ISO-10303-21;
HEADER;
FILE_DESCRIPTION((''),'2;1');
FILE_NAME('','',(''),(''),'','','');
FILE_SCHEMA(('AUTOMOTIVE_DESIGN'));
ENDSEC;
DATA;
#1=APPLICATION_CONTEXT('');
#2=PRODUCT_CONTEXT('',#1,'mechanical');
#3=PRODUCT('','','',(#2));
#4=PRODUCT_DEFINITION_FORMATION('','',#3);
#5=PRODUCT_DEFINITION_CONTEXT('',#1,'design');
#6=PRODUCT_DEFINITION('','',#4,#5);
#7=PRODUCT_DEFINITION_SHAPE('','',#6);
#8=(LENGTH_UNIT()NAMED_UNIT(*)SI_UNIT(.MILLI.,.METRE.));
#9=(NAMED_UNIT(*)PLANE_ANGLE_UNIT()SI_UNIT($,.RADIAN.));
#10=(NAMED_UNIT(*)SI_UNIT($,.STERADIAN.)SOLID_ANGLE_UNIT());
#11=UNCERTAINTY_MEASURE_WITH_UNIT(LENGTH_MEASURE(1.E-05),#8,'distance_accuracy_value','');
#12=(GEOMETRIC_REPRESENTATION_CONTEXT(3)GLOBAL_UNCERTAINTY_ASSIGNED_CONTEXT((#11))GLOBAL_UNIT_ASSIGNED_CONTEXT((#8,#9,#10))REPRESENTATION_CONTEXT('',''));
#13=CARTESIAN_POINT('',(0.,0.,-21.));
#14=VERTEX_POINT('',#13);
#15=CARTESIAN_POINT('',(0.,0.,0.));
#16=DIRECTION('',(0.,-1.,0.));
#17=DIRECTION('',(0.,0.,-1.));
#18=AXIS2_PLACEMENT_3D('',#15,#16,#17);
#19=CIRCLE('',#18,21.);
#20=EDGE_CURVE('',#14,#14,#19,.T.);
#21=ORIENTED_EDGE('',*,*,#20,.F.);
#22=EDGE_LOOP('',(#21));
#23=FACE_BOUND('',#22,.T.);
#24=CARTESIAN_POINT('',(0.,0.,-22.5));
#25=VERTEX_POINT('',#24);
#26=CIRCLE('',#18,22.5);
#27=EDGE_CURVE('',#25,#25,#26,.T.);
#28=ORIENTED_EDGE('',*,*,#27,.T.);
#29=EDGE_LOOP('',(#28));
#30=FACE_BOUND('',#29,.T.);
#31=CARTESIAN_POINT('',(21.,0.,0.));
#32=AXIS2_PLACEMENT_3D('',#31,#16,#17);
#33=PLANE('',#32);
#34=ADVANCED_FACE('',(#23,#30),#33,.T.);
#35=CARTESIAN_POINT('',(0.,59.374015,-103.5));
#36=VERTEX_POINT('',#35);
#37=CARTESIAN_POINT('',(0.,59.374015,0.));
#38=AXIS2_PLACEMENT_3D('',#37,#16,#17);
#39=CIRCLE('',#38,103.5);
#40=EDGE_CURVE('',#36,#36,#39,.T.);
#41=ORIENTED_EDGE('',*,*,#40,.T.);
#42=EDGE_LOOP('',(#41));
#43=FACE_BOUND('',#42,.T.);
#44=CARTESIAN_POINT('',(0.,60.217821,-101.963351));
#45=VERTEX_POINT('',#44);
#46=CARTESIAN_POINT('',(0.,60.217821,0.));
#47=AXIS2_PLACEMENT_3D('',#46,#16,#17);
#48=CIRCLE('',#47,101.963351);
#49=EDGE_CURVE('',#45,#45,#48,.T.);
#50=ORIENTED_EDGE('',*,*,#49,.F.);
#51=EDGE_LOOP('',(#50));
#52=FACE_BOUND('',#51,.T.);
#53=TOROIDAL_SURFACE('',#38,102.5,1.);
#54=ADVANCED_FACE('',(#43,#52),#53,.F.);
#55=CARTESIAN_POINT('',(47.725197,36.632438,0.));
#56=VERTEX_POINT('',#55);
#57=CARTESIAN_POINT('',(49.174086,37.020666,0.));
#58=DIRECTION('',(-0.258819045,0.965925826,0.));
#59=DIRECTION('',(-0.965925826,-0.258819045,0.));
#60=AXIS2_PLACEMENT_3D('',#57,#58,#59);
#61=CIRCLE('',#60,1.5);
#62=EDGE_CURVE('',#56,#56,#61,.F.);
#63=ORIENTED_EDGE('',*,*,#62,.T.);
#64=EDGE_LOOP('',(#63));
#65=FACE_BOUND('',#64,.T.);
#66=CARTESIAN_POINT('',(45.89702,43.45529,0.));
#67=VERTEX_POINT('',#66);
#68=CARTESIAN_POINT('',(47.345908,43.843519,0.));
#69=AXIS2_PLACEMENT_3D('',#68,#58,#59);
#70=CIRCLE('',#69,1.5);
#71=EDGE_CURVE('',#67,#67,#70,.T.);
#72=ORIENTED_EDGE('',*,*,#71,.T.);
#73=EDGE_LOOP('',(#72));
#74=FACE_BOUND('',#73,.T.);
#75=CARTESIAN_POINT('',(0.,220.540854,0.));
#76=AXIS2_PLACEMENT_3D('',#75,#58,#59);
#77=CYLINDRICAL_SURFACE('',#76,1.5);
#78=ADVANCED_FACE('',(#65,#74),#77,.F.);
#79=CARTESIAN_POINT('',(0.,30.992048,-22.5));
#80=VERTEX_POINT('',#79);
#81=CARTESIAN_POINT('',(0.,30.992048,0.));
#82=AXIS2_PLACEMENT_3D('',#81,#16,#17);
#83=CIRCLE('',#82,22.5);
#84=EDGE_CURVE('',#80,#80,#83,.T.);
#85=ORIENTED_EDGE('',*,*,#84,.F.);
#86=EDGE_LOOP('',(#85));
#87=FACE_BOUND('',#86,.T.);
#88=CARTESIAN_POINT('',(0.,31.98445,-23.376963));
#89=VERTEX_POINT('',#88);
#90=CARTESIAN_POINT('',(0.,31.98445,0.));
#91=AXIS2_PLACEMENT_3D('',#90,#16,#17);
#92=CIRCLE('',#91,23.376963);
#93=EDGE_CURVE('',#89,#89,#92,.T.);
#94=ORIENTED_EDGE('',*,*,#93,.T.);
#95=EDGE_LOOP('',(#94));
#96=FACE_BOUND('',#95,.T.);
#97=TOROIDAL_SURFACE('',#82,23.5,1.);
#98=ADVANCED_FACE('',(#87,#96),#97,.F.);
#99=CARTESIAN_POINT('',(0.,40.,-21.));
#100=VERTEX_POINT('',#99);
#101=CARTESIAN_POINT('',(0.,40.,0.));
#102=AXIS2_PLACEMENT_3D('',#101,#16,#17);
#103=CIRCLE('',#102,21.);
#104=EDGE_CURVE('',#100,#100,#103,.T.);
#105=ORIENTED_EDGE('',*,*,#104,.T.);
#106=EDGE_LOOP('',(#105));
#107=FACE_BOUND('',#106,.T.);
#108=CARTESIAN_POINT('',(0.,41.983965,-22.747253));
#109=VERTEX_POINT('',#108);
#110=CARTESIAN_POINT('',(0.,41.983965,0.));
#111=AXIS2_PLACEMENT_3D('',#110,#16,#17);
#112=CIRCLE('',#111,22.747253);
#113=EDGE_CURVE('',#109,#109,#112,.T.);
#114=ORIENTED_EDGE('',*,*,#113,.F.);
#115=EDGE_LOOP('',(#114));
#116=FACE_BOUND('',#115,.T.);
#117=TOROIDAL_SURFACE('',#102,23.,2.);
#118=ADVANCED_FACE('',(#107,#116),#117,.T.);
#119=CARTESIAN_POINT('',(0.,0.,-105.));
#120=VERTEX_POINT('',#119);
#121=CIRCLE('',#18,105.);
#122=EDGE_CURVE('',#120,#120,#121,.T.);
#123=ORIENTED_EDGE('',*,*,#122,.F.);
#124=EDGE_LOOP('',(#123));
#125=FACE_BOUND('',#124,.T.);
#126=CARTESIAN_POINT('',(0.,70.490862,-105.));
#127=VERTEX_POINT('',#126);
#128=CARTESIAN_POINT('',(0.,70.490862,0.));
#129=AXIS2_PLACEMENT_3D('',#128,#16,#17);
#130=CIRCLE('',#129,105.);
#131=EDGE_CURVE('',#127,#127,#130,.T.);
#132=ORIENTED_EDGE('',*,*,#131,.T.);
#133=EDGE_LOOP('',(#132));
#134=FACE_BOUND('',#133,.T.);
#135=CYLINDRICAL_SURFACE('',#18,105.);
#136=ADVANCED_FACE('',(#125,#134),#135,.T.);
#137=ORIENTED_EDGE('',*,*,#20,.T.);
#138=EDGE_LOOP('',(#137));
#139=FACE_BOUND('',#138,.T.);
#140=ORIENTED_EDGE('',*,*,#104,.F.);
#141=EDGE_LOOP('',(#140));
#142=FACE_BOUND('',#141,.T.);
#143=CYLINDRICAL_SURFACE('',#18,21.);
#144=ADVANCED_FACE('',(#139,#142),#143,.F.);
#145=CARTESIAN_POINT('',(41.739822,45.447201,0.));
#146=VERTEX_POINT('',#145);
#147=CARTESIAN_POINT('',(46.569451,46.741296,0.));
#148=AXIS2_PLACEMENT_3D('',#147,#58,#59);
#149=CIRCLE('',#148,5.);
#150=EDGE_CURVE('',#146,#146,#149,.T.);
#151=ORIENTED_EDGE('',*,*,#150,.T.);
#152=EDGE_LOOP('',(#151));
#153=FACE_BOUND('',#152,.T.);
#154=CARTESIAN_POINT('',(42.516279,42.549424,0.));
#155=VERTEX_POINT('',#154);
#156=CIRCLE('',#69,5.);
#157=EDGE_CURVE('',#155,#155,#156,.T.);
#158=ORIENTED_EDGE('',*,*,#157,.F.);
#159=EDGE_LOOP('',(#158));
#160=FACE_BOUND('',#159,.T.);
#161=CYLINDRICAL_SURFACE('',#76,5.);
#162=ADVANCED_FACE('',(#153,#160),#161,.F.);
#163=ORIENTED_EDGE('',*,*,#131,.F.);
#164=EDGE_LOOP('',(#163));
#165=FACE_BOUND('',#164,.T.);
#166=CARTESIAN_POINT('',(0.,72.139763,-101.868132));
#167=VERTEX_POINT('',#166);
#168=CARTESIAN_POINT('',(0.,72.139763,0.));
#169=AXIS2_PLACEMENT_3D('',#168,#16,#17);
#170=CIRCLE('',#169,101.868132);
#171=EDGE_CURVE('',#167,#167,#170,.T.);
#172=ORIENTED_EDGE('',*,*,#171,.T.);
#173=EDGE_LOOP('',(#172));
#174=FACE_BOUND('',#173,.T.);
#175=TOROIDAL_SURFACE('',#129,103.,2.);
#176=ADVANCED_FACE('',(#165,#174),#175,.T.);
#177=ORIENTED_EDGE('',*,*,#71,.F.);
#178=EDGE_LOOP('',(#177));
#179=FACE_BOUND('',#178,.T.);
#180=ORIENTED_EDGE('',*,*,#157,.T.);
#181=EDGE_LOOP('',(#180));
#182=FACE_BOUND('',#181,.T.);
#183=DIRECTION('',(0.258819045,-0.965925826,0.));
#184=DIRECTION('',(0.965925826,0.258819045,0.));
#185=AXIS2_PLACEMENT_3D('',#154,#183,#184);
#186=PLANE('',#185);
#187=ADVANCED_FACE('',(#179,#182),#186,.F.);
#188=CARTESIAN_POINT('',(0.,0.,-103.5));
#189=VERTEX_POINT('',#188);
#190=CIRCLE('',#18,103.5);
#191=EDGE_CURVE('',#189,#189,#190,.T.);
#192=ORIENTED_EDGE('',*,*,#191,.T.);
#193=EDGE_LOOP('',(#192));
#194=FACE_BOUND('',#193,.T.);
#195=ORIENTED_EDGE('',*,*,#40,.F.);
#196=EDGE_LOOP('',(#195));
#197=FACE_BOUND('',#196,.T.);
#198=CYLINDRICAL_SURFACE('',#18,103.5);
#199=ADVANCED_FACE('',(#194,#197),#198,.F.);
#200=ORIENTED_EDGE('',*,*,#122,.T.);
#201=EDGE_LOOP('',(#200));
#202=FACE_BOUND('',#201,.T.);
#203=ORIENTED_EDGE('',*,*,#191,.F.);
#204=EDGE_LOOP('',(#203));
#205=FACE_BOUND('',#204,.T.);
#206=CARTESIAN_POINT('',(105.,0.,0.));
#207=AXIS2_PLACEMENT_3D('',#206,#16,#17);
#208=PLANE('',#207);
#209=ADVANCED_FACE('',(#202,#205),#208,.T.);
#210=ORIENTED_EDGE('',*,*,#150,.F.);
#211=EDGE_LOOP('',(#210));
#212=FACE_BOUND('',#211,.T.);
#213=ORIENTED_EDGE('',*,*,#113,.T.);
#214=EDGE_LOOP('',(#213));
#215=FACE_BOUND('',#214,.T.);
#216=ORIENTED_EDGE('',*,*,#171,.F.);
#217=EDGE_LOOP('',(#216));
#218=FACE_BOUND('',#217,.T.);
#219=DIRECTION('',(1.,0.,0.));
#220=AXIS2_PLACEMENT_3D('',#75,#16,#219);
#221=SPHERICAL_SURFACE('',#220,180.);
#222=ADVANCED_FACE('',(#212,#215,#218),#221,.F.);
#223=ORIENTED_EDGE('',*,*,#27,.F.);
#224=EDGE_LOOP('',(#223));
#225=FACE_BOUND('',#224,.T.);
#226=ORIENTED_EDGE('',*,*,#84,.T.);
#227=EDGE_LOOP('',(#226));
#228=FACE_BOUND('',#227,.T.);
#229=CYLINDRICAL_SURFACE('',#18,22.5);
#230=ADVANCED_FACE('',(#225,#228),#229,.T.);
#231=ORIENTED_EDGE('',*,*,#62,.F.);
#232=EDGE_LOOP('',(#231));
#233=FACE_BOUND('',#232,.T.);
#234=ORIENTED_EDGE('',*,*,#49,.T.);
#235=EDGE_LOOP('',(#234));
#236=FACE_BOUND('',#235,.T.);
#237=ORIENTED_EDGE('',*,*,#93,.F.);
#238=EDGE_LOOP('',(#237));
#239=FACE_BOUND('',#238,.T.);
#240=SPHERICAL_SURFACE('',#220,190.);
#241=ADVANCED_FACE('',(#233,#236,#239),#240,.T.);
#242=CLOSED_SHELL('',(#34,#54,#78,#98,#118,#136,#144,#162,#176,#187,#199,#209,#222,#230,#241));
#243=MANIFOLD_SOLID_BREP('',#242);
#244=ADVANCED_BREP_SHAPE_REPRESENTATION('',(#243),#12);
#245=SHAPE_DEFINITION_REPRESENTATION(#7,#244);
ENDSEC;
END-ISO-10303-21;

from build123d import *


with BuildPart() as part:
    # Skizze1 → Rotation1 (revolve)
    with BuildSketch(Plane.XY, mode=Mode.PRIVATE) as rotation1_sk:
        with BuildLine():
            Line((21, 40), (21, 0))
            Line((21, 0), (22.5, 0))
            Line((22.5, 0), (22.5, 30.992047723))
            ThreePointArc((22.5, 30.992047723), (22.750654736, 31.654227211), (23.376963351, 31.98444985))
            ThreePointArc((23.376963351, 31.98444985), (64.24040311, 41.730422057), (101.963350785, 60.217820521))
            ThreePointArc((101.963350785, 60.217820521), (102.981326701, 60.250556357), (103.5, 59.374015081))
            Line((103.5, 59.374015081), (103.5, 0))
            Line((103.5, 0), (105, 0))
            Line((105, 0), (105, 70.490862433))
            ThreePointArc((105, 70.490862433), (103.931735943, 72.260570921), (101.868131868, 72.13976344))
            ThreePointArc((101.868131868, 72.13976344), (64.106096115, 52.343326056), (22.747252747, 41.98396543))
            ThreePointArc((22.747252747, 41.98396543), (21.499084528, 41.321836884), (21, 40))
        make_face()
    revolve(rotation1_sk.sketch.rotate(Axis((0, 0, 0), (0, 1, 0)), 90), axis=Axis((0, 0, 0), (0, 1, 0)))  # turned: the seam where the file's is

    # Skizze3 → Schnitt-Rotation1 (revolve, cut)
    with BuildSketch(Plane.XY):
        Polygon((41.739821974, 45.447201272), (42.516279109, 42.549423793), (45.897019501, 43.455290451), (48.226390907, 34.761958014), (49.675279646, 35.150186582), (46.569451105, 46.741296497), align=None)
    revolve(axis=Axis((0, 220.540854102, 0), (0.258819045, -0.965925826, 0)), mode=Mode.SUBTRACT)


solid = part.part
